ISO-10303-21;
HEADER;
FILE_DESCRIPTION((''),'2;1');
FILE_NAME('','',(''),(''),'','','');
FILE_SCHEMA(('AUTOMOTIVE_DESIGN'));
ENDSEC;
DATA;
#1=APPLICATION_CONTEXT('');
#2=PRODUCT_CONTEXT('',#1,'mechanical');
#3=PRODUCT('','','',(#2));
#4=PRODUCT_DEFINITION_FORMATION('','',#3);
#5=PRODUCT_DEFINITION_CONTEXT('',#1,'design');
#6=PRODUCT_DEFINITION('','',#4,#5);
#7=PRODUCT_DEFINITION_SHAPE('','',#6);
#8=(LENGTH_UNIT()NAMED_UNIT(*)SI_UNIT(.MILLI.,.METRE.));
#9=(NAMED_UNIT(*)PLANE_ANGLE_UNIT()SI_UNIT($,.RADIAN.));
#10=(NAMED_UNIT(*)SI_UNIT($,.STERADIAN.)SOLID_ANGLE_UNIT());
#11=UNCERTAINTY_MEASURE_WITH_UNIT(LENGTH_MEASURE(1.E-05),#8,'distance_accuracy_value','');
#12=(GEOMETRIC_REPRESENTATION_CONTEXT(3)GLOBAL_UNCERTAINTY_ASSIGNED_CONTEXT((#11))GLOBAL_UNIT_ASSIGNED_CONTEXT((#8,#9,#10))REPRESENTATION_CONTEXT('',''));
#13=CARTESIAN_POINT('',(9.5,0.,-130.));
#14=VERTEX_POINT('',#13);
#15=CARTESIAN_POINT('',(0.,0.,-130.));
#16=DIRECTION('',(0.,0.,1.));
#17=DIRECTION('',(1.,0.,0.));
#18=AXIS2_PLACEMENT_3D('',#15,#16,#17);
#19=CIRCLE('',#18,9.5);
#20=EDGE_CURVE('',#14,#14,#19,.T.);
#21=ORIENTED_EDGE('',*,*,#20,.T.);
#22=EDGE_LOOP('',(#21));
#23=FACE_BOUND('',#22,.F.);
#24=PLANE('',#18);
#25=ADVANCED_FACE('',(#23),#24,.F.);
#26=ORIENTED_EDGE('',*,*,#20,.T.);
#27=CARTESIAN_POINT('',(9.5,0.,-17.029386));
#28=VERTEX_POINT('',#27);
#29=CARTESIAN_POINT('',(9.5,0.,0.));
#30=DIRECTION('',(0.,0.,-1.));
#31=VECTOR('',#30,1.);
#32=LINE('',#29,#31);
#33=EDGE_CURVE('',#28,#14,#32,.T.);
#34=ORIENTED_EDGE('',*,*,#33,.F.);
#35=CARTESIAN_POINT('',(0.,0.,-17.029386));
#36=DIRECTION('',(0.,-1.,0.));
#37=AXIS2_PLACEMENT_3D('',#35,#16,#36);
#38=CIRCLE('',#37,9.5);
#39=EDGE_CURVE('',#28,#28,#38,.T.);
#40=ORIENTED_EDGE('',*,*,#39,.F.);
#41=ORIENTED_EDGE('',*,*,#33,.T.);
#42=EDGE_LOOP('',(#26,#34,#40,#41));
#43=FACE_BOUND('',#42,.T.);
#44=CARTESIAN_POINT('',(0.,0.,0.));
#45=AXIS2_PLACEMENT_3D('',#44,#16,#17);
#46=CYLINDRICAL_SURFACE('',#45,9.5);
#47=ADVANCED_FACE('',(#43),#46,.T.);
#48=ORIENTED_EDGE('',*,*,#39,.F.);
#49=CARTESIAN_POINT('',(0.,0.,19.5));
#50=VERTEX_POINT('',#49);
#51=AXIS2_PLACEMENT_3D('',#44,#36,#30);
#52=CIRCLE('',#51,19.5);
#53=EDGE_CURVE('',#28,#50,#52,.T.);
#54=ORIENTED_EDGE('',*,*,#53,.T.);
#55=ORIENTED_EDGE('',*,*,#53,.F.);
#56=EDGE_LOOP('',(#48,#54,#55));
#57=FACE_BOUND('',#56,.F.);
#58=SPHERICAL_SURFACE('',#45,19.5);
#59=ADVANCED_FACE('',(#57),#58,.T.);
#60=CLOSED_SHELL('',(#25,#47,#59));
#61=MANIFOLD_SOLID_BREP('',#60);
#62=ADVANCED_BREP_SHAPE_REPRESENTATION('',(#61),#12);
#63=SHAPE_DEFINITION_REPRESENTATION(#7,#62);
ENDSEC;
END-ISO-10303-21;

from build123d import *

# Parameters (mm, degrees)
F2_R     = 9.5
F3_DEPTH = 130


with BuildPart() as f1:
    # F0 (on Front) → F1 (revolve)
    with BuildSketch(Plane.XZ):
        with BuildLine():
            Line((0, 19.5), (0, -19.5))
            ThreePointArc((0, -19.5), (19.5, 0), (0, 19.5))
        make_face()
    revolve(axis=Axis((0, 0, 0), (0, 0, -1)))

    # F2 (on Top) → F3 (join)
    with BuildSketch(Plane.XY):
        Circle(F2_R)
    extrude(amount=-F3_DEPTH)


solid = f1.part
